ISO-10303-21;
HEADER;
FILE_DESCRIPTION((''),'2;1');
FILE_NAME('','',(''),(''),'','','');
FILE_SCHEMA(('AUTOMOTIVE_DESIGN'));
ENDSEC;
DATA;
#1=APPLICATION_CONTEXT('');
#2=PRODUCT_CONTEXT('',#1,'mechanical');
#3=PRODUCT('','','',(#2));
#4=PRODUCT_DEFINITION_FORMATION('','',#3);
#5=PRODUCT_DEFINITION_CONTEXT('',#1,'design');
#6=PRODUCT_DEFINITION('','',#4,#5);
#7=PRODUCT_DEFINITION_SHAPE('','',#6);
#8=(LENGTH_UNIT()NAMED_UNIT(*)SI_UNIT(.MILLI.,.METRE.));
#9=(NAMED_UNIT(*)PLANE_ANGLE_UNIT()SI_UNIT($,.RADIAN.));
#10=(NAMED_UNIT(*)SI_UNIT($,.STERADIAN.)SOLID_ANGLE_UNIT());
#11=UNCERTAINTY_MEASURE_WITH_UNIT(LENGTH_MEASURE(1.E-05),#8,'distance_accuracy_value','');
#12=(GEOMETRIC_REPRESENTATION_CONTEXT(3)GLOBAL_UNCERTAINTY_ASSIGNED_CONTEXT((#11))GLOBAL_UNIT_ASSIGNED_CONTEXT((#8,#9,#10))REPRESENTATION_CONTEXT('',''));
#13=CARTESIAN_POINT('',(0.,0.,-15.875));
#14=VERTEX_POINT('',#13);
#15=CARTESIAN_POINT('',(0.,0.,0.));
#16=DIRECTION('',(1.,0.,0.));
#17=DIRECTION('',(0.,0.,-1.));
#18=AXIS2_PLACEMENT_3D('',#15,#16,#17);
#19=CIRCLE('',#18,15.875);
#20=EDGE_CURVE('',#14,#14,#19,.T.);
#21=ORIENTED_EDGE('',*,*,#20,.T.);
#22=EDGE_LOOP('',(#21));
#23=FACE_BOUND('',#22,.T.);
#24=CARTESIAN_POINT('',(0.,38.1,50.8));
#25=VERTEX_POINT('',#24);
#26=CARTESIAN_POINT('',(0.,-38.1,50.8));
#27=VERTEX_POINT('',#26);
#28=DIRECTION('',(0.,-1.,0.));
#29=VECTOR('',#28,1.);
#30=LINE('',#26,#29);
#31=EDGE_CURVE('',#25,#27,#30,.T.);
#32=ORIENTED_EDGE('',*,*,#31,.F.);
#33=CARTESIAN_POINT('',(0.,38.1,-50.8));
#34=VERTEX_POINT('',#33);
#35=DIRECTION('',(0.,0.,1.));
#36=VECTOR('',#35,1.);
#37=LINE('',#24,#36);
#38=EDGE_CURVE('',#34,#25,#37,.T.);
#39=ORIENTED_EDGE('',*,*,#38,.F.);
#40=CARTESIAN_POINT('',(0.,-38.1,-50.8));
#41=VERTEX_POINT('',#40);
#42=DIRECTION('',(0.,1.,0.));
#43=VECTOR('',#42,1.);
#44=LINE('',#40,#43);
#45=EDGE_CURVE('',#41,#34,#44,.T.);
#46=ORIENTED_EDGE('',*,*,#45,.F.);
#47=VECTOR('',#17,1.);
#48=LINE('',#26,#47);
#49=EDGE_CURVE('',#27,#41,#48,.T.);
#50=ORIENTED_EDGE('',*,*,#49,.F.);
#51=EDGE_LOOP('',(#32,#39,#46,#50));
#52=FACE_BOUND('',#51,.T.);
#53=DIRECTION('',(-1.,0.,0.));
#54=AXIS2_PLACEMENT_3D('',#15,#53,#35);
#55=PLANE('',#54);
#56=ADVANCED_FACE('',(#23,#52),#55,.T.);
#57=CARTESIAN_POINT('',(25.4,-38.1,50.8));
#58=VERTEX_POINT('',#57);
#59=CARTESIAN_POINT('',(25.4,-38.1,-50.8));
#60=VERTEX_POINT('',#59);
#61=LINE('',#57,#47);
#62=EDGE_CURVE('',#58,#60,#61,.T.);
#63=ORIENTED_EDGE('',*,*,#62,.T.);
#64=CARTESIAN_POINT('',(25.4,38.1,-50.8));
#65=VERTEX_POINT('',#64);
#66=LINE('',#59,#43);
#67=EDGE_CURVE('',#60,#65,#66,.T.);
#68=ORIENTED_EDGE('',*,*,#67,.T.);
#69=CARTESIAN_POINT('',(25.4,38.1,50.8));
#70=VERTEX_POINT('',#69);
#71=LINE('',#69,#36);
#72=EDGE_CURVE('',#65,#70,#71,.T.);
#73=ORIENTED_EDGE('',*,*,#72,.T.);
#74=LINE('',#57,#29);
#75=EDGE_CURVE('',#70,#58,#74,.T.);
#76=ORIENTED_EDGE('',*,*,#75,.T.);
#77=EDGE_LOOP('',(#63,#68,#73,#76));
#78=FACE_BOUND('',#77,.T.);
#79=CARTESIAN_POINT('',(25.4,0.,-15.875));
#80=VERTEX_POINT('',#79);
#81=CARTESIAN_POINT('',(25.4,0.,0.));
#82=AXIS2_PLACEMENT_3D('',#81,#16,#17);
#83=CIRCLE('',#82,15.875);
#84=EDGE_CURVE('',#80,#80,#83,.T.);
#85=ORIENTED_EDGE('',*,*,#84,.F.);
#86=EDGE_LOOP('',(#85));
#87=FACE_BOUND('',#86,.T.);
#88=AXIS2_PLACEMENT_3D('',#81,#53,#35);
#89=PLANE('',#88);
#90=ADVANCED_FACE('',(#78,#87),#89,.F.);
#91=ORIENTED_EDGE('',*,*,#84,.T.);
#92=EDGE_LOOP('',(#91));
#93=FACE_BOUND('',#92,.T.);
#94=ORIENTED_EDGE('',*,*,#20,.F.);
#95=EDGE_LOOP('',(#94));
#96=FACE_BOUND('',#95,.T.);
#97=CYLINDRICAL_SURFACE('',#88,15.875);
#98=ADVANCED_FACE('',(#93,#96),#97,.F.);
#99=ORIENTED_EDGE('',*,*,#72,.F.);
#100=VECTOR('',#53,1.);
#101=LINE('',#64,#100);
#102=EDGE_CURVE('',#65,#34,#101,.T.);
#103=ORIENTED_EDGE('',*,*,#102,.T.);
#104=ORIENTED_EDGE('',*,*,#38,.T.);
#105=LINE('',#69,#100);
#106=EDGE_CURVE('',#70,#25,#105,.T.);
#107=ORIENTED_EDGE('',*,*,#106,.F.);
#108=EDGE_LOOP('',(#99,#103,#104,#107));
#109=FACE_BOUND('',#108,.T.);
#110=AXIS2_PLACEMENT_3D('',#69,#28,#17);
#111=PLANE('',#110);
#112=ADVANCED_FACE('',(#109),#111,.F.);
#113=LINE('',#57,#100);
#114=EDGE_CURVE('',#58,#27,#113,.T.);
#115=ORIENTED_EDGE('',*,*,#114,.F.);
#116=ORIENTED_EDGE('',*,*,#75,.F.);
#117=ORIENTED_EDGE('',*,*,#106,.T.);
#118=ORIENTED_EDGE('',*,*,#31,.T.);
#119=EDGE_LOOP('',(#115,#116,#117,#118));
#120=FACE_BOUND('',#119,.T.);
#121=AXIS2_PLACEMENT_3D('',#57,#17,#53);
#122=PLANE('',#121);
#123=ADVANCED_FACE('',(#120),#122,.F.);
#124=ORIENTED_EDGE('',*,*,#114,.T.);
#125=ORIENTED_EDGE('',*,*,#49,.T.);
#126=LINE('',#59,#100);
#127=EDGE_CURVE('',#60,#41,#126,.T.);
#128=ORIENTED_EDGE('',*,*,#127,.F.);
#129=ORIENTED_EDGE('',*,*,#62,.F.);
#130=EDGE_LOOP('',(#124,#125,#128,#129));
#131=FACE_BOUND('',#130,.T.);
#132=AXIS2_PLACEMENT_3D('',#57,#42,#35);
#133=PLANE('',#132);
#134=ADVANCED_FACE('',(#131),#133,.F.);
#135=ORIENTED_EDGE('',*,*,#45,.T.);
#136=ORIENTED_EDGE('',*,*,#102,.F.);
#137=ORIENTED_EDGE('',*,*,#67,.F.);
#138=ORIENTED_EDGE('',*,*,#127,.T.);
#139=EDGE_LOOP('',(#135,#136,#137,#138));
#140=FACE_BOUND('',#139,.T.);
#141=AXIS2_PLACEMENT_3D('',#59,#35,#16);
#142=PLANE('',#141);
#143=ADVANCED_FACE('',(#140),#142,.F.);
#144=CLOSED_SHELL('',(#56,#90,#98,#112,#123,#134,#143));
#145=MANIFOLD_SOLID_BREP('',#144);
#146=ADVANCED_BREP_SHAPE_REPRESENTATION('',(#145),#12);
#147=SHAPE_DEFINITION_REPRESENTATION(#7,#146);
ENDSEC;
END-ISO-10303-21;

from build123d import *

# Parameters (mm, degrees)
SKETCH1_W           = 101.6
SKETCH1_H           = 76.2
SKETCH1_R           = 15.875
BOSS_EXTRUDE1_DEPTH = 25.4


with BuildPart() as part:
    # Sketch1 → Boss-Extrude1 (new body)
    with BuildSketch(Plane(origin=(0, 0, 0), x_dir=(0, 0, -1), z_dir=(1, 0, 0))):
        Rectangle(SKETCH1_W, SKETCH1_H)
        Circle(SKETCH1_R, mode=Mode.SUBTRACT)
    extrude(amount=BOSS_EXTRUDE1_DEPTH)


solid = part.part
